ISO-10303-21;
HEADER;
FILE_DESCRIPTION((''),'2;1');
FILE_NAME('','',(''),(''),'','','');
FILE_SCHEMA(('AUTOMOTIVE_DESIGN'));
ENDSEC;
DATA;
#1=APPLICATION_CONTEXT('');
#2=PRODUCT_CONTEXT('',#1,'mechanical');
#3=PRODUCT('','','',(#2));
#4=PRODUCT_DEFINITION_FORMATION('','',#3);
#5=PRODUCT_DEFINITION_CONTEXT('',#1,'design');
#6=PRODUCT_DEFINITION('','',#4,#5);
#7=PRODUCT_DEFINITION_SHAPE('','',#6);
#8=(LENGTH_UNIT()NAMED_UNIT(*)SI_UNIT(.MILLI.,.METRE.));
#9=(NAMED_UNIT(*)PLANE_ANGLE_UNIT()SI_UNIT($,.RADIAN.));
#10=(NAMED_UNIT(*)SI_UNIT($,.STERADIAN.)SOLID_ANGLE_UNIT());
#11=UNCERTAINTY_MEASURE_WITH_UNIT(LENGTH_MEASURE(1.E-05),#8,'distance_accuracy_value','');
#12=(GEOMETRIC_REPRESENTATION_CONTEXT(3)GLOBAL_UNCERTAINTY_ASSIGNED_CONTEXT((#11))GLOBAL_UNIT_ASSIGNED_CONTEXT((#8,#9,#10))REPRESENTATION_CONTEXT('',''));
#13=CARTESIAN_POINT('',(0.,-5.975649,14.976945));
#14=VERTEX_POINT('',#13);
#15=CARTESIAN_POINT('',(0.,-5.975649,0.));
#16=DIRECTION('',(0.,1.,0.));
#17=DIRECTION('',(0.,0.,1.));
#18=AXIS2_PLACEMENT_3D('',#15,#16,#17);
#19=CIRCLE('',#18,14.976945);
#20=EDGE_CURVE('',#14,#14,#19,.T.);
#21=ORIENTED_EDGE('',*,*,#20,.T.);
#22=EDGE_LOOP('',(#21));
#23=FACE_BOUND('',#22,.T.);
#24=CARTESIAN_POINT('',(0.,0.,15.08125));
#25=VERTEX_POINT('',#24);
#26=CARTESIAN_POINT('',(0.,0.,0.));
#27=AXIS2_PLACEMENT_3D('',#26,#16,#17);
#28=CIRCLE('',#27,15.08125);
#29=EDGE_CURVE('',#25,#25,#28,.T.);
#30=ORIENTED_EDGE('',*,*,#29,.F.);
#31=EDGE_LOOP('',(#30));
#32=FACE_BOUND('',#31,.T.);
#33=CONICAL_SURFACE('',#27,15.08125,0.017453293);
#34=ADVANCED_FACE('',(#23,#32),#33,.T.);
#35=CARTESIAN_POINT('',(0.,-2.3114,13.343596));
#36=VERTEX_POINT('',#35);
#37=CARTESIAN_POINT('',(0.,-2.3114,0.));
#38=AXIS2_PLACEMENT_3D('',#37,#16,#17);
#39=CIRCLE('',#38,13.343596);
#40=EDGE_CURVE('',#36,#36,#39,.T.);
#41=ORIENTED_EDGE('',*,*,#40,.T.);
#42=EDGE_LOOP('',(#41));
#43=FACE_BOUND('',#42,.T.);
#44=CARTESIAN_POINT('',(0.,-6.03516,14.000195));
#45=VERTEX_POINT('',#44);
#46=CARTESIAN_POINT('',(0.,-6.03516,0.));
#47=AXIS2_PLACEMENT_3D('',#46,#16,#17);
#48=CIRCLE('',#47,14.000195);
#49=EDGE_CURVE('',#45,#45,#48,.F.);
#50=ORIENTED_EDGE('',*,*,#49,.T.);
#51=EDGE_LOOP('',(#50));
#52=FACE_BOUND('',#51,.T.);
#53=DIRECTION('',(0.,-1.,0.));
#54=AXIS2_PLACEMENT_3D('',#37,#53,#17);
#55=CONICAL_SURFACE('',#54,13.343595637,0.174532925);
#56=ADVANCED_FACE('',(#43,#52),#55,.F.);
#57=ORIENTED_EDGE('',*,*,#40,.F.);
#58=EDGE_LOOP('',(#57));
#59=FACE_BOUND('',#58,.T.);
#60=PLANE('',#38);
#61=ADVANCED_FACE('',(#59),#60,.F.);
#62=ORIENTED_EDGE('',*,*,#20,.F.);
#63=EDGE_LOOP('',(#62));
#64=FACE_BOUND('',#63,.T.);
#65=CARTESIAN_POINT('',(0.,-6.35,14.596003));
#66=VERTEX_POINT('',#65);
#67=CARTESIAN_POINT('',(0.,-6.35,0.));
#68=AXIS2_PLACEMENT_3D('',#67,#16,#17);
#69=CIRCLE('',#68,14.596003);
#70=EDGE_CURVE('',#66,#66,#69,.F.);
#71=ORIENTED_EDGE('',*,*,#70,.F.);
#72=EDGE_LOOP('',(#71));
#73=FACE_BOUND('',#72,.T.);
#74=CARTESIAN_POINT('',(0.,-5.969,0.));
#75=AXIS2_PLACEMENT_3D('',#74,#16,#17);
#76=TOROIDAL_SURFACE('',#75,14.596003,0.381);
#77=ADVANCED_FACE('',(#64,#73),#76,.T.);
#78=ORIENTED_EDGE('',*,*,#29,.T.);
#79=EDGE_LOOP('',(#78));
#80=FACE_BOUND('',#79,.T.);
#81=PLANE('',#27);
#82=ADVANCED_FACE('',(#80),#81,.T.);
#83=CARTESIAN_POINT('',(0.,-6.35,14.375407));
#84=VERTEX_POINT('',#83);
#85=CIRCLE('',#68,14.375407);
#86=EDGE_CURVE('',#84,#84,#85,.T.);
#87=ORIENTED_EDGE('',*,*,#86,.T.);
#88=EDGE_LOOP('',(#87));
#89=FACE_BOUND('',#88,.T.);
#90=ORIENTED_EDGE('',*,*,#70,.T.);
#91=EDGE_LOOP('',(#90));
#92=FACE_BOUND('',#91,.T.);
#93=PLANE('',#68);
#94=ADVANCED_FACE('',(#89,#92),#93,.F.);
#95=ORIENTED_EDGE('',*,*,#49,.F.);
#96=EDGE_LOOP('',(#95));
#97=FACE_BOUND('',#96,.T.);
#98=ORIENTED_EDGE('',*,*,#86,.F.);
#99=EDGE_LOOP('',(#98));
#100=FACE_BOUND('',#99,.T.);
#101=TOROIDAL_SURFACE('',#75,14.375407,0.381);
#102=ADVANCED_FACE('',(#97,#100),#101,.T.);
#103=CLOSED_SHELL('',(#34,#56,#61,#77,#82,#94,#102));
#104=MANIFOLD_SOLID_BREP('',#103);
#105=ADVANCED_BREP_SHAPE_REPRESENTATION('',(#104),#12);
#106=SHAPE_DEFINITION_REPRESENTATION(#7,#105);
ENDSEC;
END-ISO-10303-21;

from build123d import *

# Parameters (mm, degrees)
SKETCH1_R           = 15.08125
BOSS_EXTRUDE1_DEPTH = 2.3114
BOSS_EXTRUDE1_DRAFT = -1
SKETCH7_R           = 15.08125
SKETCH7_R_2         = 13.30325
BOSS_EXTRUDE3_DEPTH = 6.35
BOSS_EXTRUDE3_DRAFT = -1
DRAFT1_ANGLE        = 10
FILLET2_R           = 0.381


with BuildPart() as part:
    # Sketch1 → Boss-Extrude1 (with draft: the straight prism first)
    with BuildSketch(Plane(origin=(0, 0, 0), x_dir=(1, 0, 0), z_dir=(0, 1, 0))):
        Circle(SKETCH1_R)
    extrude(amount=-BOSS_EXTRUDE1_DEPTH)
    # Boss-Extrude1: the draft: its side faces are tilted about the plane it starts from
    boss_extrude1_sides = [part.faces().sort_by_distance(p)[0] for p in [
        (-15.08125, -1.1557, 0),
    ]]
    draft(boss_extrude1_sides, Plane(origin=(0, 0, 0), x_dir=(1, 0, 0), z_dir=(0, 1, 0)), BOSS_EXTRUDE1_DRAFT)


with BuildPart() as boss_extrude3_tool:
    # Sketch7 → Boss-Extrude3 (with draft: the straight prism first)
    with BuildSketch(Plane(origin=(0, 0, 0), x_dir=(1, 0, 0), z_dir=(0, 1, 0))):
        Circle(SKETCH7_R)
        Circle(SKETCH7_R_2, mode=Mode.SUBTRACT)
    extrude(amount=-BOSS_EXTRUDE3_DEPTH)
    # Boss-Extrude3: the draft: its side faces are tilted about the plane it starts from
    boss_extrude3_sides = [boss_extrude3_tool.faces().sort_by_distance(p)[0] for p in [
        (-15.08125, -3.175, 0),
        (-13.30325, -3.175, 0),
    ]]
    draft(boss_extrude3_sides, Plane(origin=(0, 0, 0), x_dir=(1, 0, 0), z_dir=(0, 1, 0)), BOSS_EXTRUDE3_DRAFT)


with BuildPart() as part_1:
    add(part.part)

    # Boss-Extrude3: add boss_extrude3_tool
    add(boss_extrude3_tool.part)

    # Draft1
    draft1_faces = [part_1.faces().sort_by_distance(p)[0] for p in [
        (-13.37884265, -4.3307, 0),
    ]]
    draft(draft1_faces, Plane(origin=(0, -2.3114, 0), x_dir=(0, 0, -1), z_dir=(0, -1, 0)), DRAFT1_ANGLE)

    # Fillet2
    fillet2_edges = [part_1.edges().sort_by_distance(p)[0] for p in [
        (-14.970410338, -6.35, 0),
        (-14.055709781, -6.35, 0),
    ]]
    fillet(fillet2_edges, radius=FILLET2_R)


solid = part_1.part
